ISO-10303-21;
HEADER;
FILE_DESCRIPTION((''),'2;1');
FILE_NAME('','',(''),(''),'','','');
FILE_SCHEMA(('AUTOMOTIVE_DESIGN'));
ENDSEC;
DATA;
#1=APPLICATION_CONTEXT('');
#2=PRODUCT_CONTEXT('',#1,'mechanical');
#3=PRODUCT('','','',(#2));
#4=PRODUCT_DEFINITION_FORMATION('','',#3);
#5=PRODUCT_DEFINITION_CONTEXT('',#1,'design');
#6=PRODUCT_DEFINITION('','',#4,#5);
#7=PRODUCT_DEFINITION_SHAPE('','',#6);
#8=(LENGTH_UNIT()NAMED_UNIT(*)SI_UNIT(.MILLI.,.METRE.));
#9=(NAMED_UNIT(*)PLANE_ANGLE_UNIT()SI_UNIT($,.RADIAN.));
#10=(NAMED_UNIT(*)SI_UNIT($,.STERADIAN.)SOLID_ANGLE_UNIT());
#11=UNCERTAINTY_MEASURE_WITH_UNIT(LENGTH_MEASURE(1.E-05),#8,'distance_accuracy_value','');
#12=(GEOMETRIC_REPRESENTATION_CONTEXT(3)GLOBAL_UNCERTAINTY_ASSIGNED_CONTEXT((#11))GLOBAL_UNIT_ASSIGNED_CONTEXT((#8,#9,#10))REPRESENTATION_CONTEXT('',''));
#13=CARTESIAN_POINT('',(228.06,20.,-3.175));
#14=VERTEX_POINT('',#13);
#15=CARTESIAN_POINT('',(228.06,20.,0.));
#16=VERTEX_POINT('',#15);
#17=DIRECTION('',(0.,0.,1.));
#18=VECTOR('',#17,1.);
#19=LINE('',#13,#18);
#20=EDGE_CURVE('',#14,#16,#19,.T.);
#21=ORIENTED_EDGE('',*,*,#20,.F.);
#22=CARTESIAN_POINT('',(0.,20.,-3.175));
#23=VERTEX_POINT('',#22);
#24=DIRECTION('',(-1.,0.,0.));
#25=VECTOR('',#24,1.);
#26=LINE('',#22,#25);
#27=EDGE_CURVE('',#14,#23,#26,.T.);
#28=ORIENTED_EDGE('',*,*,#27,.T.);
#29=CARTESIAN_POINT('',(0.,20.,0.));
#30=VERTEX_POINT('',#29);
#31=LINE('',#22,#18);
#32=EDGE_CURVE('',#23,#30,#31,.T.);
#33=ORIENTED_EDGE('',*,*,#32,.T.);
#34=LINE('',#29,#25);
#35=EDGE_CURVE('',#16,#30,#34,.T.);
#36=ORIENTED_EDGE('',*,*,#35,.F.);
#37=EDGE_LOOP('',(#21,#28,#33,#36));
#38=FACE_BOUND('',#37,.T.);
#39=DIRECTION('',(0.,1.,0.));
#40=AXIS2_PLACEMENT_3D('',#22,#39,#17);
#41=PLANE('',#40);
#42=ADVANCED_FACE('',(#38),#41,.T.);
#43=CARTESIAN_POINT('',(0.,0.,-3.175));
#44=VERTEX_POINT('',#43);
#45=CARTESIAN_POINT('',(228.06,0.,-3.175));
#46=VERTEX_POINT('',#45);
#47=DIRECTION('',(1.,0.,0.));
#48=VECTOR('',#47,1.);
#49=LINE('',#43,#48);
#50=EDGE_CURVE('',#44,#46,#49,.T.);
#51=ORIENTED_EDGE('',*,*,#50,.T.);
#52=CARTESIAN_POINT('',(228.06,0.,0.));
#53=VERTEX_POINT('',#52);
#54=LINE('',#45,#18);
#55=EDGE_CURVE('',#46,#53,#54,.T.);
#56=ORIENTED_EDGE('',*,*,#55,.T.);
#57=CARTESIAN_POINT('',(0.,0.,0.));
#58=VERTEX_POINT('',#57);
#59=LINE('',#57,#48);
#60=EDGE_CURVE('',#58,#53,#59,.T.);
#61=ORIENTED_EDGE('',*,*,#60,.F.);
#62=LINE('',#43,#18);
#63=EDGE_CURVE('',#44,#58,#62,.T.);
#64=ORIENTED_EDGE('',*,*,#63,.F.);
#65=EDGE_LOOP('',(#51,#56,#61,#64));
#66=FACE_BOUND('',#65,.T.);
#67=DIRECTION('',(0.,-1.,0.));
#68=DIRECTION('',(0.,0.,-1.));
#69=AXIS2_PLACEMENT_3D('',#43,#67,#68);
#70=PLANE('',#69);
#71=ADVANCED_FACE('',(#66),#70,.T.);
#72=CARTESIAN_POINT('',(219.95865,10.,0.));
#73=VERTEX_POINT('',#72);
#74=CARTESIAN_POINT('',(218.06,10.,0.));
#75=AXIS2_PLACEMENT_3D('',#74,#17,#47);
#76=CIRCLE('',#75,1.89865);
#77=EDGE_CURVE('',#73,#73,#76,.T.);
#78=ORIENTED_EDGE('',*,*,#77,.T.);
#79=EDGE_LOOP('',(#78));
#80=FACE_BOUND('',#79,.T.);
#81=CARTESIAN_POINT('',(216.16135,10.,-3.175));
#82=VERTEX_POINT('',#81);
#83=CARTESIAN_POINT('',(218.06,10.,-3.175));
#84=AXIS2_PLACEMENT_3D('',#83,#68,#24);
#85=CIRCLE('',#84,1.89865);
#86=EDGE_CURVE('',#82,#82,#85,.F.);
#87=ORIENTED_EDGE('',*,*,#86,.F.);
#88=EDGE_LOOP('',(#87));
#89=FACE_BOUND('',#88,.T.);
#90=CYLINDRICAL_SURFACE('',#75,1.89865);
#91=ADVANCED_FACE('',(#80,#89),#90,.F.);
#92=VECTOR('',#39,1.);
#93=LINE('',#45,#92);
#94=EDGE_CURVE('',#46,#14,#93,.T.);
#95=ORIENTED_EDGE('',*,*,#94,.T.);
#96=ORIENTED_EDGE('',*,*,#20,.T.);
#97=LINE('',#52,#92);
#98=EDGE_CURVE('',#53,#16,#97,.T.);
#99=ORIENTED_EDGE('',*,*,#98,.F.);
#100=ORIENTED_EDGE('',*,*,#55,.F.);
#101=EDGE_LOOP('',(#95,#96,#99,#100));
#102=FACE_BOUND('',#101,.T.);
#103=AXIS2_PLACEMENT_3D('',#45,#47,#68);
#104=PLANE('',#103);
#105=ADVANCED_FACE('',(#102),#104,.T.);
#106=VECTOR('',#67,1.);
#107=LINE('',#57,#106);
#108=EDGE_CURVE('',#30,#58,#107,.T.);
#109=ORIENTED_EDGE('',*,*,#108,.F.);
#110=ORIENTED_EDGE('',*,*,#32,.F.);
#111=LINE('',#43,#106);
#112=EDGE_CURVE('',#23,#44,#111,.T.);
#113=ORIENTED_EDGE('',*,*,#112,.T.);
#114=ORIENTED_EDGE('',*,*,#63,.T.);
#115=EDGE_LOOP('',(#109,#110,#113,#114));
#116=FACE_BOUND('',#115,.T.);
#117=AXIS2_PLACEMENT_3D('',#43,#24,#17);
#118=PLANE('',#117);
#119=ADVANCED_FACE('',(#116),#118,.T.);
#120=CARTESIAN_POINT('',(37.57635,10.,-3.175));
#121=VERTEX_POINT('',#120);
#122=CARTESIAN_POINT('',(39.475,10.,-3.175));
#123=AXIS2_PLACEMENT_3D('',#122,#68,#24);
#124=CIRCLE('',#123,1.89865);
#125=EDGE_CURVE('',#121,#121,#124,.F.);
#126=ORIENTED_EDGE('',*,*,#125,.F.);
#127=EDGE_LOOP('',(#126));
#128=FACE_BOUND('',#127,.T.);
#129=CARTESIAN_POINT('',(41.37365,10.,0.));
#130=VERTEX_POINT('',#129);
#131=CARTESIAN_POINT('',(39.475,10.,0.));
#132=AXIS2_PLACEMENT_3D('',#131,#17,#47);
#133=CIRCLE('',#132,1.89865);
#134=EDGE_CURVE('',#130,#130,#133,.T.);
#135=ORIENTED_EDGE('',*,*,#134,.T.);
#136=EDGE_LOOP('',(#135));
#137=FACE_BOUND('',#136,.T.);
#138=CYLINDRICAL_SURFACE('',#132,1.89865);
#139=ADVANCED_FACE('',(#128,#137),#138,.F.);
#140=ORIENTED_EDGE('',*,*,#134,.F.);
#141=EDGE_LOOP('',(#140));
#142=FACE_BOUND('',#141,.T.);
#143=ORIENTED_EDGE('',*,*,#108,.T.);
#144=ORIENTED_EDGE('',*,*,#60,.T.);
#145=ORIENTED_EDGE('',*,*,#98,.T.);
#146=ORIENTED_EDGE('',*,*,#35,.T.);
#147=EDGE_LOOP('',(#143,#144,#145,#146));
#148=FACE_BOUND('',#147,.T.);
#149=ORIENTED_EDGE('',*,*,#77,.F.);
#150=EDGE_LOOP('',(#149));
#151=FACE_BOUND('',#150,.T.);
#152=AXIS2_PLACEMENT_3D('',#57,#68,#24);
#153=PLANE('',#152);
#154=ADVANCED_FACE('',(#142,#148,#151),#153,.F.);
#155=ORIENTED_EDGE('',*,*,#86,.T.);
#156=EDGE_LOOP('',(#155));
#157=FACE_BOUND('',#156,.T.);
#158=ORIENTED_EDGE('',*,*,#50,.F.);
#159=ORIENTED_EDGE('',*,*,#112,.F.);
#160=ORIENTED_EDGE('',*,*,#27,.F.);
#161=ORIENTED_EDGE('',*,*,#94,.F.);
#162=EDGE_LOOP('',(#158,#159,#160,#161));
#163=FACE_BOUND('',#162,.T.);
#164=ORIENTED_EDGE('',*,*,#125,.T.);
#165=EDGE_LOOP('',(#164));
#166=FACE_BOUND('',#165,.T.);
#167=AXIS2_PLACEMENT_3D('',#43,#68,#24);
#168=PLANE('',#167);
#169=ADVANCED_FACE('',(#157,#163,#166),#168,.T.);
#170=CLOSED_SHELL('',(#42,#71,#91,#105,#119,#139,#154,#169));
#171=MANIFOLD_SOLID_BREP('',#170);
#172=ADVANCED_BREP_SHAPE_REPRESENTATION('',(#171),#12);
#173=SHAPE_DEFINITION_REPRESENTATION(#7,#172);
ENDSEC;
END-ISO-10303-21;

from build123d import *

# Parameters (mm, degrees)
SKETCH2_W             = 228.06
SKETCH2_H             = 20
BOSS_EXTRUDE1_DEPTH   = 3.175
F_6_CLEARANCE_HOLE1_D = 3.7973


with BuildPart() as part:
    # Sketch2 → Boss-Extrude1 (new body)
    with BuildSketch(Plane.XY):
        with Locations((114.03, 10)):
            Rectangle(SKETCH2_W, SKETCH2_H)
    extrude(amount=-BOSS_EXTRUDE1_DEPTH)

    # #6 Clearance Hole1 (through all)
    with Locations(Plane.XY):
        with Locations((218.06, 10), (39.475, 10)):
            Hole(F_6_CLEARANCE_HOLE1_D / 2)


solid = part.part
